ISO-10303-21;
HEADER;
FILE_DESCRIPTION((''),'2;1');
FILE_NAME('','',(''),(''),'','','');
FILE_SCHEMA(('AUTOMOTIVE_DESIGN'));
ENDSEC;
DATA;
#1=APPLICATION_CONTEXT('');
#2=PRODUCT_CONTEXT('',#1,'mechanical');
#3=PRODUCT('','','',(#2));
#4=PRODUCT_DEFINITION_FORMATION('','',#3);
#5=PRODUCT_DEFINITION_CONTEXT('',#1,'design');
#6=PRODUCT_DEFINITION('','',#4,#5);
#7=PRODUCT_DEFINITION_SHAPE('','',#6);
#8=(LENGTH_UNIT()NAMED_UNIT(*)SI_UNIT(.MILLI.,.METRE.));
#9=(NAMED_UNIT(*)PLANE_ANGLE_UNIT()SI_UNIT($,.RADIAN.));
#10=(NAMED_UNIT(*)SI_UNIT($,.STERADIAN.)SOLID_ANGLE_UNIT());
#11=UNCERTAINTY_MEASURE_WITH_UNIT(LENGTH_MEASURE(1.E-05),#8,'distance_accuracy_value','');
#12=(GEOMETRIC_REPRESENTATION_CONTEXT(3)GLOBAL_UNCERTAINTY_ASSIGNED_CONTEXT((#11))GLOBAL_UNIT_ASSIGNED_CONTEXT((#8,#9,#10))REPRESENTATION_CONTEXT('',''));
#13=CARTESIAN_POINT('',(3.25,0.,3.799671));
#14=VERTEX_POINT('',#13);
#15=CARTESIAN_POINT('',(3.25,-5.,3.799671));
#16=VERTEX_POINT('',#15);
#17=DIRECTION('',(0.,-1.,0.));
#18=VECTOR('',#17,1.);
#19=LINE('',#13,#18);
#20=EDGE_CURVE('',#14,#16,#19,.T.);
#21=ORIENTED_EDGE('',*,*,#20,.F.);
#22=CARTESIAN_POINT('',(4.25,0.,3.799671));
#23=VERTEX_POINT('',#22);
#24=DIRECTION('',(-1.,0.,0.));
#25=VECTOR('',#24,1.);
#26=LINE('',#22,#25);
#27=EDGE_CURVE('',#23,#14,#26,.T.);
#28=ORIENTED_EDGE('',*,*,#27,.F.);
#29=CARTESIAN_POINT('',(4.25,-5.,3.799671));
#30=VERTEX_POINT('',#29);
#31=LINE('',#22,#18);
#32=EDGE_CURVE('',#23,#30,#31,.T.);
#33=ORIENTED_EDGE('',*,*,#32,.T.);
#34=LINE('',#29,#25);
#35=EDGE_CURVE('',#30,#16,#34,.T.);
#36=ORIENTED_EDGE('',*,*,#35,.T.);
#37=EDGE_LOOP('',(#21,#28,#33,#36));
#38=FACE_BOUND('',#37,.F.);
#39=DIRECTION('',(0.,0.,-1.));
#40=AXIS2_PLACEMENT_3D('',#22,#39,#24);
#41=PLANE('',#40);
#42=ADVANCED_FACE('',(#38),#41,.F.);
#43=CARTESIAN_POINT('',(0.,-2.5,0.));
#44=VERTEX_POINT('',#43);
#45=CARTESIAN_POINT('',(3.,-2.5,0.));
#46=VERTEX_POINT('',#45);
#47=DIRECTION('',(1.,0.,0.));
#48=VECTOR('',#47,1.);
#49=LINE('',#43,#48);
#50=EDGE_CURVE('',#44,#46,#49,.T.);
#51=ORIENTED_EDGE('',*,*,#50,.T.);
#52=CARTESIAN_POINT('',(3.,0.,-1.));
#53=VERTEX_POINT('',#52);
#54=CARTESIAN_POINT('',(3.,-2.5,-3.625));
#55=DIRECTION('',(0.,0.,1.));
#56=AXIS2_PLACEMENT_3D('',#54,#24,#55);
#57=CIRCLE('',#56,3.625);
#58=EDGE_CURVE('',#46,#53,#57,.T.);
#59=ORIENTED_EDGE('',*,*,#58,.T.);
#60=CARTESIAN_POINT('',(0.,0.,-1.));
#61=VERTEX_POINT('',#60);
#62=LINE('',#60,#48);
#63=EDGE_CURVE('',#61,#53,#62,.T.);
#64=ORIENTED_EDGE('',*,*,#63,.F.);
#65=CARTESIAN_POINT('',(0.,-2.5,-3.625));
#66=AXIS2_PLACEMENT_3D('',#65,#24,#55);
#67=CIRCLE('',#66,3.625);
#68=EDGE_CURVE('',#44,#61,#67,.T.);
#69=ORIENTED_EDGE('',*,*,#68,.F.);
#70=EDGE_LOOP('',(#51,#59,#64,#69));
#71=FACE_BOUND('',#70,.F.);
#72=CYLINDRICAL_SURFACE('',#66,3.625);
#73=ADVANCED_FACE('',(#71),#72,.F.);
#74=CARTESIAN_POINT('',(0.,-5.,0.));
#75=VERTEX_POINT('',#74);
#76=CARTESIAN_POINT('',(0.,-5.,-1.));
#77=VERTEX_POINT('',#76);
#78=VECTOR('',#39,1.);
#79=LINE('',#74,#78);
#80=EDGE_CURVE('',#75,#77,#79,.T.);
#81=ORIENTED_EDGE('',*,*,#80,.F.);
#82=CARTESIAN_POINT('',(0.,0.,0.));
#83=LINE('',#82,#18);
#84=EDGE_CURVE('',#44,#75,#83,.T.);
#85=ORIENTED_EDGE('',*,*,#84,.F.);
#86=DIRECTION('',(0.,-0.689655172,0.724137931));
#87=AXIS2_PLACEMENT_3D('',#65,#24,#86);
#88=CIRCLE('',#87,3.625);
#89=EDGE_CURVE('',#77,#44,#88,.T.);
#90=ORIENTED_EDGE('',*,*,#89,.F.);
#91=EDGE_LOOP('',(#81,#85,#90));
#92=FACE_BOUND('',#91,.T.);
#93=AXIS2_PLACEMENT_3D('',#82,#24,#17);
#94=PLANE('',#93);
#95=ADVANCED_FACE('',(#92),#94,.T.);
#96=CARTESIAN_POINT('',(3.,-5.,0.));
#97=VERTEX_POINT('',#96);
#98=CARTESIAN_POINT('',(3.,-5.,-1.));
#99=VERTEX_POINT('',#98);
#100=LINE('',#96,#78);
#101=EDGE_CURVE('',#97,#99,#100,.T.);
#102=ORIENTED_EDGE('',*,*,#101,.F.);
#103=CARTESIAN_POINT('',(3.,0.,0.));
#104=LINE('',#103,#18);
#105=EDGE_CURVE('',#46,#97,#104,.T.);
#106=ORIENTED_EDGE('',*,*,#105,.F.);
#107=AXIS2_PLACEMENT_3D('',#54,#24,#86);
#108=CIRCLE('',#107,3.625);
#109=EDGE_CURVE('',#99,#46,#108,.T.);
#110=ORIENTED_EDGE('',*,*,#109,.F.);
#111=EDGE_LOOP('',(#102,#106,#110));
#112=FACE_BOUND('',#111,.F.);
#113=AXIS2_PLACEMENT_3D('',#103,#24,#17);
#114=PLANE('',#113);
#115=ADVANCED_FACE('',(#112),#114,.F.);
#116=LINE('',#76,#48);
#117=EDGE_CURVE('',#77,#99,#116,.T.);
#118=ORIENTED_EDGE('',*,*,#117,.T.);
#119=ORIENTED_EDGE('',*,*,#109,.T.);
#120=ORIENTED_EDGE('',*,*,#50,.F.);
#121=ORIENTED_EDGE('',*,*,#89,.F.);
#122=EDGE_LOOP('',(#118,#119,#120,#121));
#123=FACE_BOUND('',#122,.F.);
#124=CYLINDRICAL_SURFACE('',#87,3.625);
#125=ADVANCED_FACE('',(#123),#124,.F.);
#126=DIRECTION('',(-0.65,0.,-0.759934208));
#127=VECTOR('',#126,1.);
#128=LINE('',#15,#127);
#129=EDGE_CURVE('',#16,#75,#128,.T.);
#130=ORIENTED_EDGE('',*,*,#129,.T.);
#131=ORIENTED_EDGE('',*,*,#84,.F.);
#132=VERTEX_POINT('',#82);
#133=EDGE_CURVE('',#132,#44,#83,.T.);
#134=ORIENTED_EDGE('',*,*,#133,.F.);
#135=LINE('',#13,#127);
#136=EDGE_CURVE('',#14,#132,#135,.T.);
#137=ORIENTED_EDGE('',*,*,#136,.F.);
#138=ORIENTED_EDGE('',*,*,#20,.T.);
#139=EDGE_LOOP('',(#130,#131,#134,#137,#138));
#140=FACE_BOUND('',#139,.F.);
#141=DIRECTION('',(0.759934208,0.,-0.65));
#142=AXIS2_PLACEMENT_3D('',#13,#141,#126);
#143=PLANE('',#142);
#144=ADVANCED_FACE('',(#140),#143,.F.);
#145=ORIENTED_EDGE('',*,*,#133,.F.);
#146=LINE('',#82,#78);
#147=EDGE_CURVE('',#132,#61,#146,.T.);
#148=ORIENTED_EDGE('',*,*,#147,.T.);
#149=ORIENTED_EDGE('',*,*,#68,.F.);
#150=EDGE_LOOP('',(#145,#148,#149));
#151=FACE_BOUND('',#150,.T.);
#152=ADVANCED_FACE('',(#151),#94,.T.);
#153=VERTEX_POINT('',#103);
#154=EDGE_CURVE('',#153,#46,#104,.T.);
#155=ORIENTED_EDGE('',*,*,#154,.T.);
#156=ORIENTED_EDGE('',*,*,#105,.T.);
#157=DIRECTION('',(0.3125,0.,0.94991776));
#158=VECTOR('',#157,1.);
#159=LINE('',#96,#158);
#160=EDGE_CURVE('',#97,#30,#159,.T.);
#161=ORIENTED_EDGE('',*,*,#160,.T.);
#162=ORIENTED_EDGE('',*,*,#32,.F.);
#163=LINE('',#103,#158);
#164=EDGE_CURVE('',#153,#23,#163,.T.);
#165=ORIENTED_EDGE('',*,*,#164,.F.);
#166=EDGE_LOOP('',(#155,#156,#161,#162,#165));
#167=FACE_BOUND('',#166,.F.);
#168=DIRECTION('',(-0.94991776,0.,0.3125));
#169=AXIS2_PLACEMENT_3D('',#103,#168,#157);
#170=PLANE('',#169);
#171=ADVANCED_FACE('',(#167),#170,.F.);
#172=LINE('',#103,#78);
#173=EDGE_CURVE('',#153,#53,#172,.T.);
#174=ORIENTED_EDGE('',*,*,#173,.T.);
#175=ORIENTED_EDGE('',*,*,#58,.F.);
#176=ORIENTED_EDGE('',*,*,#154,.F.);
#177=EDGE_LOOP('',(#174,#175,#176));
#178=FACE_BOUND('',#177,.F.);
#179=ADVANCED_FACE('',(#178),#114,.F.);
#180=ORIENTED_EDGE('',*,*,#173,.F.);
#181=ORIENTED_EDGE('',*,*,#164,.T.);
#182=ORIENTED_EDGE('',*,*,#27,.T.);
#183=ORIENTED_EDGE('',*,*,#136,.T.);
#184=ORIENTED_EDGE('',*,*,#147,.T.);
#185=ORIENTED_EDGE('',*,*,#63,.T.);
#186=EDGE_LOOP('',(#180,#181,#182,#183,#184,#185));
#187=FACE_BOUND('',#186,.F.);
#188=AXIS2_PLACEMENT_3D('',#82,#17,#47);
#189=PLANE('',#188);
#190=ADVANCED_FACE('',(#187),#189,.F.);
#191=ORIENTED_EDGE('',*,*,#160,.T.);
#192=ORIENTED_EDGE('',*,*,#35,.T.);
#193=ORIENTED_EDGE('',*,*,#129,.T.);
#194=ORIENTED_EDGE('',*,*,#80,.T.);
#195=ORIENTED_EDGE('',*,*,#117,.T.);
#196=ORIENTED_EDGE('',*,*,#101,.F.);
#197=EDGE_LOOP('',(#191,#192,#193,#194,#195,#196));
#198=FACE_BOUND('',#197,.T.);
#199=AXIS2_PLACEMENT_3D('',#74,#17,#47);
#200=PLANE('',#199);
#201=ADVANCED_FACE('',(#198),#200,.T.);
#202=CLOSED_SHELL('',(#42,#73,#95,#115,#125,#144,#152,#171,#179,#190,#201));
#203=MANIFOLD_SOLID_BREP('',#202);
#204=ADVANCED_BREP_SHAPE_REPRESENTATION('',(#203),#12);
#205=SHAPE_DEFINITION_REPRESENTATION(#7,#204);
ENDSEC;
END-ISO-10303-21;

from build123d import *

# Parameters (mm, degrees)
F1_DEPTH = 5
F2_DEPTH = 1
F4_DEPTH = 25


with BuildPart() as f1:
    # F0 (on Front) → F1 (new body)
    with BuildSketch(Plane.XZ):
        Polygon((3.25, 3.7996710384), (0, 0), (3, 0), (4.25, 3.7996710384), align=None)
    extrude(amount=F1_DEPTH)

    # F2 (add): a face of the model
    f2_faces = [f1.faces().sort_by_distance(p)[0] for p in [
        (1.5, -2.5, 0),
    ]]
    extrude(f2_faces, amount=F2_DEPTH)

    # F3 (on face) → F4 (cut)
    with BuildSketch(Plane(origin=(0, 0, 0), x_dir=(0, -1, 0), z_dir=(-1, 0, 0))):
        with BuildLine():
            Line((0, -1), (5, -1))
            ThreePointArc((5, -1), (3.8462912018, -0.2592719955), (2.5, 0))
            ThreePointArc((2.5, 0), (1.1537087982, -0.2592719955), (0, -1))
        make_face()
    extrude(amount=-F4_DEPTH, mode=Mode.SUBTRACT)


solid = f1.part
